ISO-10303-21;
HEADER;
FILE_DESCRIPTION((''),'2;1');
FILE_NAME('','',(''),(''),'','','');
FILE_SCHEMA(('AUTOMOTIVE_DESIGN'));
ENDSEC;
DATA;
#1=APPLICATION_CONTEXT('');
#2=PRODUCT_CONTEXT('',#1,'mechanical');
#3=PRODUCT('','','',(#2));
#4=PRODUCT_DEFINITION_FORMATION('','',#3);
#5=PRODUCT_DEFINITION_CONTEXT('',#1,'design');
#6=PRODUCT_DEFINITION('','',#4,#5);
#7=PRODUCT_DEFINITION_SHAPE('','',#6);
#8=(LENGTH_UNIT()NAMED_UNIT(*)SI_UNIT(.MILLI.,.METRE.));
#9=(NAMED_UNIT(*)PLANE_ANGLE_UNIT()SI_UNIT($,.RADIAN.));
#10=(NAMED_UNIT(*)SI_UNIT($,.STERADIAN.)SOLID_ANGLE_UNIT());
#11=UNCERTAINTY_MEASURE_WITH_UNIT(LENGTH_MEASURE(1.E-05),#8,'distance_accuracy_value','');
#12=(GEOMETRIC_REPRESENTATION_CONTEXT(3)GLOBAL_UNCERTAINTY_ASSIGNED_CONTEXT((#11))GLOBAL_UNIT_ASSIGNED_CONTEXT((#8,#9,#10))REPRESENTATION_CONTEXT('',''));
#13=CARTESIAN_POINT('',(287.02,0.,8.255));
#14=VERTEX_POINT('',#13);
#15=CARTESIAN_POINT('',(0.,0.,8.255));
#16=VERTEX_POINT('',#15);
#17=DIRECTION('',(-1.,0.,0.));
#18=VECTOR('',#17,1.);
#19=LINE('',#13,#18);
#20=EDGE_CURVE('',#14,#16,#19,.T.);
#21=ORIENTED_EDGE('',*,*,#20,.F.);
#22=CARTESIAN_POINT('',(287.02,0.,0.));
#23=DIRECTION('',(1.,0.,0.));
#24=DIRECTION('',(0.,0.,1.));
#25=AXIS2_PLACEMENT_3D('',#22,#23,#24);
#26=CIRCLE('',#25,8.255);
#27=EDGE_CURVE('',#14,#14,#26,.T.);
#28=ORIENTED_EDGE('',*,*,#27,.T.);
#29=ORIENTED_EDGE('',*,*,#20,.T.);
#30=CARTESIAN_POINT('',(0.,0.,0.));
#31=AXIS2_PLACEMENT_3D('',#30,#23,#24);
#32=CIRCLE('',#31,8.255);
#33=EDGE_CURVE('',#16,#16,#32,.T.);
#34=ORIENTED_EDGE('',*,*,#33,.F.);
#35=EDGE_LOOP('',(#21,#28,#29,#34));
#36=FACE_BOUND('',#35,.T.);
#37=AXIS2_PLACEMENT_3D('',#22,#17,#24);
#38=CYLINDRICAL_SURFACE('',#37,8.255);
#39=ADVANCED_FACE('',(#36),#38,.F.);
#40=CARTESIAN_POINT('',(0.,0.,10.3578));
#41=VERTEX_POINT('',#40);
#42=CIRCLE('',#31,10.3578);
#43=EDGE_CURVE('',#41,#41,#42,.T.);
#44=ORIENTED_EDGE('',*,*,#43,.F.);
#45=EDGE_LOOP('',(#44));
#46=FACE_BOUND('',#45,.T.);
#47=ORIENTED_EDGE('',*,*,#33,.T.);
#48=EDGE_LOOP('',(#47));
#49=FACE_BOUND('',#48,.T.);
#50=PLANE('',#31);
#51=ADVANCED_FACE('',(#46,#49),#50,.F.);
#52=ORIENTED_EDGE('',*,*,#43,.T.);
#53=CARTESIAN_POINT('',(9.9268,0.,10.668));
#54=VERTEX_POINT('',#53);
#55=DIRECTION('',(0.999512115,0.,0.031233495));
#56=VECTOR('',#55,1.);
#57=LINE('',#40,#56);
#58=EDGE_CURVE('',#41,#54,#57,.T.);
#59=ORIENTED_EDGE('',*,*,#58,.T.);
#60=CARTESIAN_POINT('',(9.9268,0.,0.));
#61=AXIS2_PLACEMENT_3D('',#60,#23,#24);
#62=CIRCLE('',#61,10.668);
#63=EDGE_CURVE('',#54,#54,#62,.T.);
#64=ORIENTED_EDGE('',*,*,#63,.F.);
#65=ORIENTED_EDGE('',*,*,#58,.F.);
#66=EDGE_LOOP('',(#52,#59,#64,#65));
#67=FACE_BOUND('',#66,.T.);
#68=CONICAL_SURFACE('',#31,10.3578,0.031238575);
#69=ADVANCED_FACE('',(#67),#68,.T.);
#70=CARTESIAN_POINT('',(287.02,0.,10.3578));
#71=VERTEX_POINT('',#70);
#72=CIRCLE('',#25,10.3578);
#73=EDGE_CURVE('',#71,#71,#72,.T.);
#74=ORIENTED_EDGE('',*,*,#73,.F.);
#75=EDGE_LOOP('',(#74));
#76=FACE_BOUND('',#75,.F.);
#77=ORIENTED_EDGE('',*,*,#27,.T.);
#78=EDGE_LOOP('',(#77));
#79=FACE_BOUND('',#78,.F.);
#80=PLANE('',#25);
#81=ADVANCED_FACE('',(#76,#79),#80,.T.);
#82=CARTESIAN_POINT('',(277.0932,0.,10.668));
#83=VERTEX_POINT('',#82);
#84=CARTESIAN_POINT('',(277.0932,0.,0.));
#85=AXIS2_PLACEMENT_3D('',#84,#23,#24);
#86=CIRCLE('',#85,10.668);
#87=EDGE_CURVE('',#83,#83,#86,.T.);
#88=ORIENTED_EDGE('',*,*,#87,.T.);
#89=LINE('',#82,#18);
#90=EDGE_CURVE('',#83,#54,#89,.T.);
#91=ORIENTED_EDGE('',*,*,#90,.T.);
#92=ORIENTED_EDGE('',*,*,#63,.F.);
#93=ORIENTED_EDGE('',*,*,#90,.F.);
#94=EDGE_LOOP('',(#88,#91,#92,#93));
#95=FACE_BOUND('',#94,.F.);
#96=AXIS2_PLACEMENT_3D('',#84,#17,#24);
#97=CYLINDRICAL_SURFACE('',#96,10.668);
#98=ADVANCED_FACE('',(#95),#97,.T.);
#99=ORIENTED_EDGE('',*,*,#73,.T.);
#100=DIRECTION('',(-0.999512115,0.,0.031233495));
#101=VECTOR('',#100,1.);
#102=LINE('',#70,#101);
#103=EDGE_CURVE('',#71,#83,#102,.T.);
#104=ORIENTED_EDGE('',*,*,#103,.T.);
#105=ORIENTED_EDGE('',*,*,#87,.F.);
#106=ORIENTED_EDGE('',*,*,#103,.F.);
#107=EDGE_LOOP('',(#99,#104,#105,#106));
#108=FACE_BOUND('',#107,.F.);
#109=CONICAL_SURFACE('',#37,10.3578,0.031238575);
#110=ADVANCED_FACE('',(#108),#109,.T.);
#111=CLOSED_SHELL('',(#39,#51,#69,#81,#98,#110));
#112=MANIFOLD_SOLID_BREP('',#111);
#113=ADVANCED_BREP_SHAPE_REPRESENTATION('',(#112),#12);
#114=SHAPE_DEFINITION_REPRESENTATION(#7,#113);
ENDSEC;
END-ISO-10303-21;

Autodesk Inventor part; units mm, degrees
ref_plane "YZ Plane" through (0, 0, 0) normal (1, 0, 0) x (0, 1, 0)
ref_plane "XZ Plane" through (0, 0, 0) normal (0, 1, 0) x (-1, 0, 0)
ref_plane "XY Plane" through (0, 0, 0) normal (0, 0, 1) x (1, 0, 0)
sketch "Sketch1" plane through (0, 0, 0) normal (0, 1, 0) x (-1, 0, 0)
  line L0 (0, 0) -> (-287.02, 0)
  line L1 (-287.02, 0) -> (-287.02, 8.255) construction
  line L2 (-287.02, 8.255) -> (-287.02, 10.3578)
  line L3 (-287.02, 10.3578) -> (-277.0932, 10.668)
  line L4 (-277.0932, 10.668) -> (-9.9268, 10.668)
  line L5 (-143.51, 0) -> (-143.51, 10.668) construction
  line L6 (-287.02, 8.255) -> (0, 8.255)
  line L7 (0, 0) -> (0, 8.255) construction
  line L8 (0, 8.255) -> (0, 10.3578)
  line L9 (0, 10.3578) -> (-9.9268, 10.668)
  line L10 (-273.464, 10.7814) -> (-273.464, 0) construction
  line L11 (-13.556, 10.7814) -> (-13.556, 0) construction
  line L12 (-277.0932, 10.668) -> (-273.464, 10.7814) construction
  line L13 (-277.0932, 10.668) -> (-277.0932, 0) construction
  line L14 (-9.9268, 10.668) -> (-13.556, 10.7814) construction
  line L15 (-9.9268, 10.668) -> (-9.9268, 0) construction
  dimension "d0" = 21.336
  dimension "d1" = 1.79
  dimension "d2" = 16.51
  dimension "d3" = 287.02
  dimension "d4" = 13.556
  dimension "d5" = 21.5628
revolve "Revolution1" add sketch "Sketch1" angle 360 about axis through (0, 0, 0) along (1, 0, 0)
thread "Thread1" size "1/2" designation "1/2 - 14 NPT" standard "NPT" full length
thread "Thread2" size "1/2" designation "1/2 - 14 NPT" standard "NPT" full length
equation "\"d0\" = OD"
equation "\"d2\" = ID"
equation "\"d3\" = L"
equation "\"d4\" = L2"
equation "\"d5\" = D2"
equation "\"OD\" = 21.336"
equation "\"t\" = 2.413"
equation "\"L\" = PL"
equation "\"L4\" = 19.8501"
equation "\"ID\" = 16.51"
equation "\"PL\" = 287.02"
equation "\"D2\" = 21.56282"
equation "\"L2\" = 13.55598"
equation "\"Size_Designation\" = 1.2345"
equation "\"PLmin\" = 2 * L2"
properties material "Steel, Wrought"
